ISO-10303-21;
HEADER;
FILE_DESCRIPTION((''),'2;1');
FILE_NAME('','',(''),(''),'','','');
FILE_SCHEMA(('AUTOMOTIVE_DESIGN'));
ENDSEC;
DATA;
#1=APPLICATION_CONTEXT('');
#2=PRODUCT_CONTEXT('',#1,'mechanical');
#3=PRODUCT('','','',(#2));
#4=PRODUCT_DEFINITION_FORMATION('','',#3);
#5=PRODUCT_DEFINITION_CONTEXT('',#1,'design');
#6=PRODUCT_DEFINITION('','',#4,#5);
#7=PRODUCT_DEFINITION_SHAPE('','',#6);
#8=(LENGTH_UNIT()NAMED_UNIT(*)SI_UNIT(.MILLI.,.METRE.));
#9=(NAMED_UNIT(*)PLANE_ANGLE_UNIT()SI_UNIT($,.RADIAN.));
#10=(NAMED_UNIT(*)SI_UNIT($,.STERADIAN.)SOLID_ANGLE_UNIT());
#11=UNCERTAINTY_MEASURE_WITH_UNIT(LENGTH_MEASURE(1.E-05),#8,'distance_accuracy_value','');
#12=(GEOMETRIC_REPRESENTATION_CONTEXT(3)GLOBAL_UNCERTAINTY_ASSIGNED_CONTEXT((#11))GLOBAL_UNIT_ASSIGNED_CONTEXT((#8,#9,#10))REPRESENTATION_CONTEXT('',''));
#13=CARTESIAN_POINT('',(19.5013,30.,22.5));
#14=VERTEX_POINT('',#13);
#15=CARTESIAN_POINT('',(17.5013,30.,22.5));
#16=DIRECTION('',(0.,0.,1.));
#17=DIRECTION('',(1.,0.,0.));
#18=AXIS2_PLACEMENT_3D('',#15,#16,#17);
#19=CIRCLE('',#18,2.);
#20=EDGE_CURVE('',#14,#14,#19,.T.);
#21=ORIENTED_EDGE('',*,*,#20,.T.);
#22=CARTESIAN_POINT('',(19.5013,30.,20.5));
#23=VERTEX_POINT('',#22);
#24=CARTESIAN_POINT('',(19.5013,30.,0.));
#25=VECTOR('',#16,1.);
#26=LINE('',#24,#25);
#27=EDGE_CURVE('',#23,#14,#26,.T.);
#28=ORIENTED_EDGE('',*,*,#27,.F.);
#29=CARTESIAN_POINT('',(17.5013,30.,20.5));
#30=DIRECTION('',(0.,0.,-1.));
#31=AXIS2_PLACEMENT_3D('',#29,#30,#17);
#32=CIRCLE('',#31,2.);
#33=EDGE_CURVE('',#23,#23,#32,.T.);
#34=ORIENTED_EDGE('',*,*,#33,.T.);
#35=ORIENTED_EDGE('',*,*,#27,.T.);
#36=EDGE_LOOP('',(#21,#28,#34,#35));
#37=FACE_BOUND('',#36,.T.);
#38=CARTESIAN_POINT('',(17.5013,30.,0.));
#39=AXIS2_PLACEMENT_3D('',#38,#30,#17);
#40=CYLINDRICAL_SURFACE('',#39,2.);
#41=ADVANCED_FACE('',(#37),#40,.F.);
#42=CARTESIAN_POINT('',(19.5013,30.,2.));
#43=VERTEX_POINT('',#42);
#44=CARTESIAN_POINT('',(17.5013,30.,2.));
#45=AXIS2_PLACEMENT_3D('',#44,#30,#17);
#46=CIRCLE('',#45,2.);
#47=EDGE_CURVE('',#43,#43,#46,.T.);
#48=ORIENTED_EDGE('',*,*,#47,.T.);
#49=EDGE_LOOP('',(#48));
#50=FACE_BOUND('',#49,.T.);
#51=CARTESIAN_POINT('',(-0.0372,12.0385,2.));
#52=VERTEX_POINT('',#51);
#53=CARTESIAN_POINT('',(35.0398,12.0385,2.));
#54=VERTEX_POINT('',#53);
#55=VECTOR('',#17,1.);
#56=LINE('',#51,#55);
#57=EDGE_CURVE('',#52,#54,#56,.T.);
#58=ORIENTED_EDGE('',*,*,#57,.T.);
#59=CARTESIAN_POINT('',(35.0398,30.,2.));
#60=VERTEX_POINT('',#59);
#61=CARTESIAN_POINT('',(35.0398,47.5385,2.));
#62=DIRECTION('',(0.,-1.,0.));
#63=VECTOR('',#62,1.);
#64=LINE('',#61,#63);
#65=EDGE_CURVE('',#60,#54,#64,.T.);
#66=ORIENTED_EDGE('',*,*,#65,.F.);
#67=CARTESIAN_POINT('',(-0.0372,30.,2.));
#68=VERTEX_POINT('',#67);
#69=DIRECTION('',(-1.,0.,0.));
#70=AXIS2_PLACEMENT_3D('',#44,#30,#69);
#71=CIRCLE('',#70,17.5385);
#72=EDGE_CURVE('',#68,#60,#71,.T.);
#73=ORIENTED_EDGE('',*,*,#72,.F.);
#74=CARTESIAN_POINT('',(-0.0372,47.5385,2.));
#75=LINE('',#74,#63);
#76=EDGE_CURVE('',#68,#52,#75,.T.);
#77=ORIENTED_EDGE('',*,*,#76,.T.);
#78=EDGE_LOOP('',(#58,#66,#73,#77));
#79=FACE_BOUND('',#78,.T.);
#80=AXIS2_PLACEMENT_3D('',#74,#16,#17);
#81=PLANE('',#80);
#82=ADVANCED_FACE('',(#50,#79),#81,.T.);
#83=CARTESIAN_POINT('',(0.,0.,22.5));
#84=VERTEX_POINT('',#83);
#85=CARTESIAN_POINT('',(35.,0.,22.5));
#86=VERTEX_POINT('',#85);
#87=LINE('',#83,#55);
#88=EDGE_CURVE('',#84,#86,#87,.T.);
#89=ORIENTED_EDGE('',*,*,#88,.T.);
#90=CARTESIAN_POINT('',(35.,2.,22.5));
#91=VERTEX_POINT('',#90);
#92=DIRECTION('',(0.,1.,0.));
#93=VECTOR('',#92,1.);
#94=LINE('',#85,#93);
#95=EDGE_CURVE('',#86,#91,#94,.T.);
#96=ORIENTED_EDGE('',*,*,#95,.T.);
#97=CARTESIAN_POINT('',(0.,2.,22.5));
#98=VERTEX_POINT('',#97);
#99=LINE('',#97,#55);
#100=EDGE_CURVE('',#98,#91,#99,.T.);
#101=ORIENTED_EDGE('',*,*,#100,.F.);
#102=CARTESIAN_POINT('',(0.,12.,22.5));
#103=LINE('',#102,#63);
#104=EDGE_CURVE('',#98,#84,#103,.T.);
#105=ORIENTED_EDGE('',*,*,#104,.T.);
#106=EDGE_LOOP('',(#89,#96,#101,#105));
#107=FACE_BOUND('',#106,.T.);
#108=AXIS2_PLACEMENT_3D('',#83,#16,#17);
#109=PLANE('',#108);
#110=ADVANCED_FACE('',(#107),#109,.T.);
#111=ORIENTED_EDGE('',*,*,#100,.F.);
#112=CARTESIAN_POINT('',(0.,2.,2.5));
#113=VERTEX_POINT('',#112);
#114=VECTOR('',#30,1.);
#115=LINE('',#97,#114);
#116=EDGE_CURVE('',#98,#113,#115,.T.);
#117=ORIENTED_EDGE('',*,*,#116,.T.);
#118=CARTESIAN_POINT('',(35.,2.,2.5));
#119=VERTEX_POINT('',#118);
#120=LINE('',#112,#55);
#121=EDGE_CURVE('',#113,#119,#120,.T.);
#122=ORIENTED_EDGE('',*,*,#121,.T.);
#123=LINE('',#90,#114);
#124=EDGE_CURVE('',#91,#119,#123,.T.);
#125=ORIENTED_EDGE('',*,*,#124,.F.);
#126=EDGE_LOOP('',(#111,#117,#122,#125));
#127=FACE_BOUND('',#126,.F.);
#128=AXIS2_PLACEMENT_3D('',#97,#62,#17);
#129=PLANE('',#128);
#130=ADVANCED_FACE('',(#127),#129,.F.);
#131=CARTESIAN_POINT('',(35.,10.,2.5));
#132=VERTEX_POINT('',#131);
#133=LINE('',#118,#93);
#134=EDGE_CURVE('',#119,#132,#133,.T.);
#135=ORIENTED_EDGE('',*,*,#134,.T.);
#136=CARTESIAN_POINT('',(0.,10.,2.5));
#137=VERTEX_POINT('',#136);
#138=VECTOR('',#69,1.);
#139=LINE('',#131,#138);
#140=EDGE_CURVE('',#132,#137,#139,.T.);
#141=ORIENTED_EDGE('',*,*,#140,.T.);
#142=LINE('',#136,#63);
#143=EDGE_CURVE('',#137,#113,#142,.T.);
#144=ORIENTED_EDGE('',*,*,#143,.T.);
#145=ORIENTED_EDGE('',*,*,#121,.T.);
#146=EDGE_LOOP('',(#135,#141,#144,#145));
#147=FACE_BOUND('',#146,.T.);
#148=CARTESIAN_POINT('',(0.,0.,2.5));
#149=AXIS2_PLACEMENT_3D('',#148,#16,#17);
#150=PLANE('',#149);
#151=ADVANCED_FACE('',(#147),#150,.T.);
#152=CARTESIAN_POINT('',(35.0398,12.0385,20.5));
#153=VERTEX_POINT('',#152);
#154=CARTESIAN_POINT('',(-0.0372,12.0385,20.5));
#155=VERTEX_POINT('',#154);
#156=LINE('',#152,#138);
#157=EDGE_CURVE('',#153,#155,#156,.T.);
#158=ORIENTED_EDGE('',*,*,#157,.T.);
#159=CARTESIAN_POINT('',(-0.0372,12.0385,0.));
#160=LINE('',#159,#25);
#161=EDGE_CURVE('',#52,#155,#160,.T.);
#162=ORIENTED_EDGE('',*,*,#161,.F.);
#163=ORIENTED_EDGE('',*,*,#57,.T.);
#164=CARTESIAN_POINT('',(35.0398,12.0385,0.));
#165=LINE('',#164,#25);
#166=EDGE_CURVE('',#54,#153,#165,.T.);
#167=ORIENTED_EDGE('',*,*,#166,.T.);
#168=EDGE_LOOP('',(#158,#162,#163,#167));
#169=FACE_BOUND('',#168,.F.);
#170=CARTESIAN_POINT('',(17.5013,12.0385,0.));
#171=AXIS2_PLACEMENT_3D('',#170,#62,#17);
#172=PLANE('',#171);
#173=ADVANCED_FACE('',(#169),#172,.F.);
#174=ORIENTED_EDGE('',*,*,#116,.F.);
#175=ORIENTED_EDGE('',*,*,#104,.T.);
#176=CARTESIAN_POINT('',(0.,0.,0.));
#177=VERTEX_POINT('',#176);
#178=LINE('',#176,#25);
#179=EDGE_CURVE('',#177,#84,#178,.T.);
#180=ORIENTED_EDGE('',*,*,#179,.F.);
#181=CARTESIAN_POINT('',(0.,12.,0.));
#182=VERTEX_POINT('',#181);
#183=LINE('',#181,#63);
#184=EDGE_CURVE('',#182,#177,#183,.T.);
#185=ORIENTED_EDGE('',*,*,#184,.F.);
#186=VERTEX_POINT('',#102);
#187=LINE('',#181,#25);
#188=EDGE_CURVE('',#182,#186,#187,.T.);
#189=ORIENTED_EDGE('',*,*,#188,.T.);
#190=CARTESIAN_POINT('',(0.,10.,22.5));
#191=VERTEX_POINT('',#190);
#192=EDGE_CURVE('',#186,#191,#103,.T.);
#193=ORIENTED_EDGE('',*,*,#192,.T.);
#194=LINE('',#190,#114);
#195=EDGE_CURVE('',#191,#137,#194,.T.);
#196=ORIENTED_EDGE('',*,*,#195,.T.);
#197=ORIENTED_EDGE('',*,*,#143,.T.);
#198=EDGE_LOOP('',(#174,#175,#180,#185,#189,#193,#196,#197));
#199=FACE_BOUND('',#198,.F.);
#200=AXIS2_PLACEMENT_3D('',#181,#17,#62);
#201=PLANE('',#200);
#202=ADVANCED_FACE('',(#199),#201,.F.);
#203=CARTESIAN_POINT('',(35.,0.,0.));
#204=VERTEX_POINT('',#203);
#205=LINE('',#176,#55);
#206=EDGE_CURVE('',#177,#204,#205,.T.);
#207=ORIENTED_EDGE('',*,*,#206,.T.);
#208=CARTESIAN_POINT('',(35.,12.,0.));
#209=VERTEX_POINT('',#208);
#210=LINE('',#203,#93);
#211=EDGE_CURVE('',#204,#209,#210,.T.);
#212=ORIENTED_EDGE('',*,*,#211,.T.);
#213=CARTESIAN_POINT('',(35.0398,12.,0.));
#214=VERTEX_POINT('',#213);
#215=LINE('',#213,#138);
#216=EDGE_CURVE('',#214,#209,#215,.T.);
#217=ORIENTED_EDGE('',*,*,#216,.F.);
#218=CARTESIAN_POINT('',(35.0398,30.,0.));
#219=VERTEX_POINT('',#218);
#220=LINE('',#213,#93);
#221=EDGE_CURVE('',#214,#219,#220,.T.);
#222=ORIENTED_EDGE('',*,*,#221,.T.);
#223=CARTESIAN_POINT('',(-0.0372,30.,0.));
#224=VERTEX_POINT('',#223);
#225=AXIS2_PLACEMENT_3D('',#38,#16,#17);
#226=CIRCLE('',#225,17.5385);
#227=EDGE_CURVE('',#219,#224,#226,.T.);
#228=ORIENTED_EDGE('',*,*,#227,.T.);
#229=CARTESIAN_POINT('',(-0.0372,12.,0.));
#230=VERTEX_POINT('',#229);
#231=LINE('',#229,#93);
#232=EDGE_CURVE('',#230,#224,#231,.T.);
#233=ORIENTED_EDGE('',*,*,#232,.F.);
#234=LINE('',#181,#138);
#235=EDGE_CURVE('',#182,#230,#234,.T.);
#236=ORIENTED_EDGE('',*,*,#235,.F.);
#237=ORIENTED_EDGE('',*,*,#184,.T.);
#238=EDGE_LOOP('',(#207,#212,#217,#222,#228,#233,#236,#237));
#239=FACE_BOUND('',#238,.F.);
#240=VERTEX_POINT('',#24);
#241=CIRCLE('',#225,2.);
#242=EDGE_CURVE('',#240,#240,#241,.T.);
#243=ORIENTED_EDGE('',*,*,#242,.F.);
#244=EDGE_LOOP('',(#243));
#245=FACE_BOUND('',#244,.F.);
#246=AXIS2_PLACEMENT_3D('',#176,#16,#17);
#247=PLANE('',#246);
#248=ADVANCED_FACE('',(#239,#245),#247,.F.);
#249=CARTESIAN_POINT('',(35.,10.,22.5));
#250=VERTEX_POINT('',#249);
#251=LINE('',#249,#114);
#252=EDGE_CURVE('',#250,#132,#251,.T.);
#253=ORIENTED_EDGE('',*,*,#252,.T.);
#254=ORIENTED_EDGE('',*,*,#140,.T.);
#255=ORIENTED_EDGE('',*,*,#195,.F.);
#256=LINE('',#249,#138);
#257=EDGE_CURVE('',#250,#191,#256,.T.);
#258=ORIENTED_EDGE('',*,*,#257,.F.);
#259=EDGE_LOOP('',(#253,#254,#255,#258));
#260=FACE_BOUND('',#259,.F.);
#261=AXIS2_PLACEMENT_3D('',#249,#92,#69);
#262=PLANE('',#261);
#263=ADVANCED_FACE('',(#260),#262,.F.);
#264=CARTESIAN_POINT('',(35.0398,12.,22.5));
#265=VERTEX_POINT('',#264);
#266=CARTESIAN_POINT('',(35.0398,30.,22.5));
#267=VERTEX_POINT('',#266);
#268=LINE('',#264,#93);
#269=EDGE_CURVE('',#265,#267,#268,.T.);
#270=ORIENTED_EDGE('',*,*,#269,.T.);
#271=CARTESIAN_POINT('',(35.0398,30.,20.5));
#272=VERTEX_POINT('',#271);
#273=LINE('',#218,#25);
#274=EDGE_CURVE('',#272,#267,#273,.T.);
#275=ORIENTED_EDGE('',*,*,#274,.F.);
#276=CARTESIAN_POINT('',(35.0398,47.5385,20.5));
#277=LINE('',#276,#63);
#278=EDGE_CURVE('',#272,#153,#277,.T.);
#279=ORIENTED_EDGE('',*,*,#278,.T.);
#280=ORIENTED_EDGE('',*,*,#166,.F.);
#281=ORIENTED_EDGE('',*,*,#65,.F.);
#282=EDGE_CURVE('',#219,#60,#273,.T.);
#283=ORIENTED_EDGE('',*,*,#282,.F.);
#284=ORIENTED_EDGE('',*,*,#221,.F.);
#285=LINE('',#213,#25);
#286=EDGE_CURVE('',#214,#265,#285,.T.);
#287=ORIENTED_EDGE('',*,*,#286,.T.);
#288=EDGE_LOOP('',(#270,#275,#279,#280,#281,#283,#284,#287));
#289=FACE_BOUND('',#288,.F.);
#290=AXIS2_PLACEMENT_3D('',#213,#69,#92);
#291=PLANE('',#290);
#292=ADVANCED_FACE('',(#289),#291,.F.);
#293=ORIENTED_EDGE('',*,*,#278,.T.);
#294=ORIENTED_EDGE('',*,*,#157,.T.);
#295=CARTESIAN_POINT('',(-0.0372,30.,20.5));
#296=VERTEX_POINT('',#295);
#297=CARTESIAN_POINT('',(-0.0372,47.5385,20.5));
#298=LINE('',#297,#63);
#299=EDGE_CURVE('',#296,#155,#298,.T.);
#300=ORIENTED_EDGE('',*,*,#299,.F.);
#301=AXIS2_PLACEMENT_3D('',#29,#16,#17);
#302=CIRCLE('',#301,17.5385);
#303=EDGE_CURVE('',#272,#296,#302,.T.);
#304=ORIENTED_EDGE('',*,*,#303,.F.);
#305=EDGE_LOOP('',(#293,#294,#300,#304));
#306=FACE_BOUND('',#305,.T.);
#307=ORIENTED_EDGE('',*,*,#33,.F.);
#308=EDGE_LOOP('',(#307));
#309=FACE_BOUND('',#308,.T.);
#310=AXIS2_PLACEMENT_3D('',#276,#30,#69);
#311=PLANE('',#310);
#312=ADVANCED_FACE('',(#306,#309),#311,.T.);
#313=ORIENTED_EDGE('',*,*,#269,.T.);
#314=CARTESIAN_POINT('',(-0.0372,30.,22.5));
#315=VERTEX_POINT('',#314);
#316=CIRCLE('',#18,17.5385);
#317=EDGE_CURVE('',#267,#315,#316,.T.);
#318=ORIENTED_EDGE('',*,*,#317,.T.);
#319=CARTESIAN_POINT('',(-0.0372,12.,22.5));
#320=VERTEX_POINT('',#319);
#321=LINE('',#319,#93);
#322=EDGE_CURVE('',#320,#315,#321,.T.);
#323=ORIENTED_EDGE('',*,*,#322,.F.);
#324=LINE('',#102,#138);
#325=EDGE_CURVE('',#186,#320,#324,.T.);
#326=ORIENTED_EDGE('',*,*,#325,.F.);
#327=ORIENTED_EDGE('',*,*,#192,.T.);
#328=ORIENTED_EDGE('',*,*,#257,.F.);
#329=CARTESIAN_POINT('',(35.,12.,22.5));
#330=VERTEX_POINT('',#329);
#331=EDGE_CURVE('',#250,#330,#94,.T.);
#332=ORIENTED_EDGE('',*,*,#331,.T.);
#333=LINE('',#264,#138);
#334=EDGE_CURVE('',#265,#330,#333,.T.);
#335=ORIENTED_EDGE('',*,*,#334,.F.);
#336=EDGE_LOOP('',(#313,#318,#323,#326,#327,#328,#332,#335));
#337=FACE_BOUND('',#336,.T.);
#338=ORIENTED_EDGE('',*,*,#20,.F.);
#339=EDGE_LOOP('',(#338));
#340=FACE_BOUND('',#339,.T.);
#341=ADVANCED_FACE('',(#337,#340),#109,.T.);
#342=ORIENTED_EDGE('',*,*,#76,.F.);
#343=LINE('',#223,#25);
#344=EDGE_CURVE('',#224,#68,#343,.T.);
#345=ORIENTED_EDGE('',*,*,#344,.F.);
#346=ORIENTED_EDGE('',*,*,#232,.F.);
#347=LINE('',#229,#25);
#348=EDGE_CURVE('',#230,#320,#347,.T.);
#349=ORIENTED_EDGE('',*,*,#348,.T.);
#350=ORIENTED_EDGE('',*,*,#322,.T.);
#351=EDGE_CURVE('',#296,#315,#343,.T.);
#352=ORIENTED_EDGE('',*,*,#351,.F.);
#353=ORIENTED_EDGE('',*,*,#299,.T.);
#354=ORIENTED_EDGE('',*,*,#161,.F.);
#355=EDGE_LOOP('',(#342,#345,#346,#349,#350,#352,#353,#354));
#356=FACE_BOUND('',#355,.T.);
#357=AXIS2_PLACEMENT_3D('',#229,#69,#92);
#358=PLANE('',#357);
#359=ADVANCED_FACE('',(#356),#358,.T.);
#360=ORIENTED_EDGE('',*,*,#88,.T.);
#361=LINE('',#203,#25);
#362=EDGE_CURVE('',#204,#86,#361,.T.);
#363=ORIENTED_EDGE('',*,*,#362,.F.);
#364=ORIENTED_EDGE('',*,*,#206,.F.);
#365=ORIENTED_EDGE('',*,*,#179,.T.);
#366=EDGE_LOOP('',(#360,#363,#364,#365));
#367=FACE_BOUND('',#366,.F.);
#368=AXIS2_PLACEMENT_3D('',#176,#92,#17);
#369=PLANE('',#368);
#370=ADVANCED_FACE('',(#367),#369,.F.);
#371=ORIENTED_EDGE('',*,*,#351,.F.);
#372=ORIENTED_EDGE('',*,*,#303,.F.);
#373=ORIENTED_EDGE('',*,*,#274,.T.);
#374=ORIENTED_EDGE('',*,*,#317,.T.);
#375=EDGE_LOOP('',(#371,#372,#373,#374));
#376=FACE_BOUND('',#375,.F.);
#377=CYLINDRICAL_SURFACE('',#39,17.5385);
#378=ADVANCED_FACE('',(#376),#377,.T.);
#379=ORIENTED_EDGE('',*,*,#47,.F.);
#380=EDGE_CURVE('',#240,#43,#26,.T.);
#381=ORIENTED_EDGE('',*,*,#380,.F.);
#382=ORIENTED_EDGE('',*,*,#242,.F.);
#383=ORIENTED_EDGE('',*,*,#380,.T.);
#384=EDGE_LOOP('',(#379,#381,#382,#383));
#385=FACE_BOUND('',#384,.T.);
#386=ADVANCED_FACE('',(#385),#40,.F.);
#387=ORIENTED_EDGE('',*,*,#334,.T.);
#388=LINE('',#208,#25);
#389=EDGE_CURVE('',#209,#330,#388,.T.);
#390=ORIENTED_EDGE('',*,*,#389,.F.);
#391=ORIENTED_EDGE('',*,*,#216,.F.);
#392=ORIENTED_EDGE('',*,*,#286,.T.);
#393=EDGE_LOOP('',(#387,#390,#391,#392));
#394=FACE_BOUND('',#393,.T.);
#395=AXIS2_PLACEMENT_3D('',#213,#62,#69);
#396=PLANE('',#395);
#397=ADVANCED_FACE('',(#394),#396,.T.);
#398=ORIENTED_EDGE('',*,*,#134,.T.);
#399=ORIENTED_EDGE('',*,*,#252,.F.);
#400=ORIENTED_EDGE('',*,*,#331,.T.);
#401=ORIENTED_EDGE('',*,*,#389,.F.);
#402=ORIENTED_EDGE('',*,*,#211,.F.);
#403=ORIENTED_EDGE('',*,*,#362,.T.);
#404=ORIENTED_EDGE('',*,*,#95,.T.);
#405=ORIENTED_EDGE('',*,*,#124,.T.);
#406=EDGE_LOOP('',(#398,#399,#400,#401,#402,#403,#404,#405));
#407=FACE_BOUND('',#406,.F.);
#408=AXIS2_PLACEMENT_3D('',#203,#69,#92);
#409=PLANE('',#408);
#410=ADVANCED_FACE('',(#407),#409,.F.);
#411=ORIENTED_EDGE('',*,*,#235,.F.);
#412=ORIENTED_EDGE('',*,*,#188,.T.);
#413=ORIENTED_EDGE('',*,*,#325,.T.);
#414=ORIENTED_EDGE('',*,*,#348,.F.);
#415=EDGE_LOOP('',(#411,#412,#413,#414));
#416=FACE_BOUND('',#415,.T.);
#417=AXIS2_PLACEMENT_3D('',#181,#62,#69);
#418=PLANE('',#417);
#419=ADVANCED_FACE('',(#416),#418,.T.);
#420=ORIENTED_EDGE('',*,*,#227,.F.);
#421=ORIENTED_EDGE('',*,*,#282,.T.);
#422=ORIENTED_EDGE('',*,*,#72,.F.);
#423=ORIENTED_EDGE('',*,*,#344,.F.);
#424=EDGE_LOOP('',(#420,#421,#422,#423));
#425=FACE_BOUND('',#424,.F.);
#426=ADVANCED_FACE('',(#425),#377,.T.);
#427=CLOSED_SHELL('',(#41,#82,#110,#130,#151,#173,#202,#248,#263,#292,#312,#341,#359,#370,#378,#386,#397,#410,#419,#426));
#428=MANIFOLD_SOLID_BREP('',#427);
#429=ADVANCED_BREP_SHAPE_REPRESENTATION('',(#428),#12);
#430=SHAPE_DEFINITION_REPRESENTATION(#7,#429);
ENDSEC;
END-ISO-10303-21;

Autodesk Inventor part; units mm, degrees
ref_plane "YZ Plane" through (0, 0, 0) normal (1, 0, 0) x (0, 1, 0)
ref_plane "XZ Plane" through (0, 0, 0) normal (0, 1, 0) x (-1, 0, 0)
ref_plane "XY Plane" through (0, 0, 0) normal (0, 0, 1) x (1, 0, 0)
sketch "Sketch1" plane through (0, 0, 0) normal (0, 0, 1) x (1, 0, 0)
  line L0 (0, 0) -> (35, 0)
  line L1 (35, 0) -> (35, 12)
  line L2 (0, 12) -> (0, 0)
  line L3 (0, 12) -> (-0.0372, 12)
  line L4 (35.0398, 12) -> (35, 12)
  line L5 (-0.0372, 12) -> (-0.0372, 30)
  line L6 (35.0398, 12) -> (35.0398, 30)
  arc A0 (35.0398, 30) -> (-0.0372, 30) centre (17.5013, 30) ccw
  circle A1 centre (17.5013, 30) radius 2
  dimension "d0" = 35
  dimension "d1" = 12
  dimension "d4" = 18
  dimension "d6" = 4
extrude "Extrusion1" add sketch "Sketch1" along normal blind 22.5
sketch "Sketch2" plane through (0, 0, 22.5) normal (0, 0, 1) x (1, 0, 0)
  line L0 (0, 2) -> (35, 2)
  line L1 (35, 2) -> (35, 10)
  line L2 (35, 10) -> (0, 10)
  line L3 (0, 10) -> (0, 2)
  point P0 (0, 0)
extrude "Extrusion2" cut sketch "Sketch2" against normal blind 20
sketch "Sketch3" plane through (-0.0372, 12, 0) normal (-1, 0, 0) x (0, 0, 1)
  point P0 (0, -12)
ref_plane "Work Plane1" through (17.5013, 47.5385, 0) normal (0, -1, 0) x (1, 0, 0)
sketch "Sketch4" plane through (17.5013, 47.5385, 0) normal (0, -1, 0) x (1, 0, 0)
  line L0 (17.5385, 0) -> (17.5385, 22.5) projected
  line L1 (-17.5385, 0) -> (-17.5385, 22.5) projected
  line L2 (17.5385, 20.5) -> (-17.5385, 20.5)
  line L3 (-17.5385, 20.5) -> (-17.5385, 2)
  line L4 (-17.5385, 2) -> (17.5385, 2)
  line L5 (17.5385, 2) -> (17.5385, 20.5)
  line L6 (17.5385, 22.5) -> (-17.5385, 22.5) projected
  point P0 (-17.5013, 0)
  dimension "d11" = 18.5
  dimension "d12" = 2
extrude "Extrusion3" cut sketch "Sketch4" along normal blind 35.5 contours L4 L1 L2 L0
properties part number "Maintients poullies V4"
